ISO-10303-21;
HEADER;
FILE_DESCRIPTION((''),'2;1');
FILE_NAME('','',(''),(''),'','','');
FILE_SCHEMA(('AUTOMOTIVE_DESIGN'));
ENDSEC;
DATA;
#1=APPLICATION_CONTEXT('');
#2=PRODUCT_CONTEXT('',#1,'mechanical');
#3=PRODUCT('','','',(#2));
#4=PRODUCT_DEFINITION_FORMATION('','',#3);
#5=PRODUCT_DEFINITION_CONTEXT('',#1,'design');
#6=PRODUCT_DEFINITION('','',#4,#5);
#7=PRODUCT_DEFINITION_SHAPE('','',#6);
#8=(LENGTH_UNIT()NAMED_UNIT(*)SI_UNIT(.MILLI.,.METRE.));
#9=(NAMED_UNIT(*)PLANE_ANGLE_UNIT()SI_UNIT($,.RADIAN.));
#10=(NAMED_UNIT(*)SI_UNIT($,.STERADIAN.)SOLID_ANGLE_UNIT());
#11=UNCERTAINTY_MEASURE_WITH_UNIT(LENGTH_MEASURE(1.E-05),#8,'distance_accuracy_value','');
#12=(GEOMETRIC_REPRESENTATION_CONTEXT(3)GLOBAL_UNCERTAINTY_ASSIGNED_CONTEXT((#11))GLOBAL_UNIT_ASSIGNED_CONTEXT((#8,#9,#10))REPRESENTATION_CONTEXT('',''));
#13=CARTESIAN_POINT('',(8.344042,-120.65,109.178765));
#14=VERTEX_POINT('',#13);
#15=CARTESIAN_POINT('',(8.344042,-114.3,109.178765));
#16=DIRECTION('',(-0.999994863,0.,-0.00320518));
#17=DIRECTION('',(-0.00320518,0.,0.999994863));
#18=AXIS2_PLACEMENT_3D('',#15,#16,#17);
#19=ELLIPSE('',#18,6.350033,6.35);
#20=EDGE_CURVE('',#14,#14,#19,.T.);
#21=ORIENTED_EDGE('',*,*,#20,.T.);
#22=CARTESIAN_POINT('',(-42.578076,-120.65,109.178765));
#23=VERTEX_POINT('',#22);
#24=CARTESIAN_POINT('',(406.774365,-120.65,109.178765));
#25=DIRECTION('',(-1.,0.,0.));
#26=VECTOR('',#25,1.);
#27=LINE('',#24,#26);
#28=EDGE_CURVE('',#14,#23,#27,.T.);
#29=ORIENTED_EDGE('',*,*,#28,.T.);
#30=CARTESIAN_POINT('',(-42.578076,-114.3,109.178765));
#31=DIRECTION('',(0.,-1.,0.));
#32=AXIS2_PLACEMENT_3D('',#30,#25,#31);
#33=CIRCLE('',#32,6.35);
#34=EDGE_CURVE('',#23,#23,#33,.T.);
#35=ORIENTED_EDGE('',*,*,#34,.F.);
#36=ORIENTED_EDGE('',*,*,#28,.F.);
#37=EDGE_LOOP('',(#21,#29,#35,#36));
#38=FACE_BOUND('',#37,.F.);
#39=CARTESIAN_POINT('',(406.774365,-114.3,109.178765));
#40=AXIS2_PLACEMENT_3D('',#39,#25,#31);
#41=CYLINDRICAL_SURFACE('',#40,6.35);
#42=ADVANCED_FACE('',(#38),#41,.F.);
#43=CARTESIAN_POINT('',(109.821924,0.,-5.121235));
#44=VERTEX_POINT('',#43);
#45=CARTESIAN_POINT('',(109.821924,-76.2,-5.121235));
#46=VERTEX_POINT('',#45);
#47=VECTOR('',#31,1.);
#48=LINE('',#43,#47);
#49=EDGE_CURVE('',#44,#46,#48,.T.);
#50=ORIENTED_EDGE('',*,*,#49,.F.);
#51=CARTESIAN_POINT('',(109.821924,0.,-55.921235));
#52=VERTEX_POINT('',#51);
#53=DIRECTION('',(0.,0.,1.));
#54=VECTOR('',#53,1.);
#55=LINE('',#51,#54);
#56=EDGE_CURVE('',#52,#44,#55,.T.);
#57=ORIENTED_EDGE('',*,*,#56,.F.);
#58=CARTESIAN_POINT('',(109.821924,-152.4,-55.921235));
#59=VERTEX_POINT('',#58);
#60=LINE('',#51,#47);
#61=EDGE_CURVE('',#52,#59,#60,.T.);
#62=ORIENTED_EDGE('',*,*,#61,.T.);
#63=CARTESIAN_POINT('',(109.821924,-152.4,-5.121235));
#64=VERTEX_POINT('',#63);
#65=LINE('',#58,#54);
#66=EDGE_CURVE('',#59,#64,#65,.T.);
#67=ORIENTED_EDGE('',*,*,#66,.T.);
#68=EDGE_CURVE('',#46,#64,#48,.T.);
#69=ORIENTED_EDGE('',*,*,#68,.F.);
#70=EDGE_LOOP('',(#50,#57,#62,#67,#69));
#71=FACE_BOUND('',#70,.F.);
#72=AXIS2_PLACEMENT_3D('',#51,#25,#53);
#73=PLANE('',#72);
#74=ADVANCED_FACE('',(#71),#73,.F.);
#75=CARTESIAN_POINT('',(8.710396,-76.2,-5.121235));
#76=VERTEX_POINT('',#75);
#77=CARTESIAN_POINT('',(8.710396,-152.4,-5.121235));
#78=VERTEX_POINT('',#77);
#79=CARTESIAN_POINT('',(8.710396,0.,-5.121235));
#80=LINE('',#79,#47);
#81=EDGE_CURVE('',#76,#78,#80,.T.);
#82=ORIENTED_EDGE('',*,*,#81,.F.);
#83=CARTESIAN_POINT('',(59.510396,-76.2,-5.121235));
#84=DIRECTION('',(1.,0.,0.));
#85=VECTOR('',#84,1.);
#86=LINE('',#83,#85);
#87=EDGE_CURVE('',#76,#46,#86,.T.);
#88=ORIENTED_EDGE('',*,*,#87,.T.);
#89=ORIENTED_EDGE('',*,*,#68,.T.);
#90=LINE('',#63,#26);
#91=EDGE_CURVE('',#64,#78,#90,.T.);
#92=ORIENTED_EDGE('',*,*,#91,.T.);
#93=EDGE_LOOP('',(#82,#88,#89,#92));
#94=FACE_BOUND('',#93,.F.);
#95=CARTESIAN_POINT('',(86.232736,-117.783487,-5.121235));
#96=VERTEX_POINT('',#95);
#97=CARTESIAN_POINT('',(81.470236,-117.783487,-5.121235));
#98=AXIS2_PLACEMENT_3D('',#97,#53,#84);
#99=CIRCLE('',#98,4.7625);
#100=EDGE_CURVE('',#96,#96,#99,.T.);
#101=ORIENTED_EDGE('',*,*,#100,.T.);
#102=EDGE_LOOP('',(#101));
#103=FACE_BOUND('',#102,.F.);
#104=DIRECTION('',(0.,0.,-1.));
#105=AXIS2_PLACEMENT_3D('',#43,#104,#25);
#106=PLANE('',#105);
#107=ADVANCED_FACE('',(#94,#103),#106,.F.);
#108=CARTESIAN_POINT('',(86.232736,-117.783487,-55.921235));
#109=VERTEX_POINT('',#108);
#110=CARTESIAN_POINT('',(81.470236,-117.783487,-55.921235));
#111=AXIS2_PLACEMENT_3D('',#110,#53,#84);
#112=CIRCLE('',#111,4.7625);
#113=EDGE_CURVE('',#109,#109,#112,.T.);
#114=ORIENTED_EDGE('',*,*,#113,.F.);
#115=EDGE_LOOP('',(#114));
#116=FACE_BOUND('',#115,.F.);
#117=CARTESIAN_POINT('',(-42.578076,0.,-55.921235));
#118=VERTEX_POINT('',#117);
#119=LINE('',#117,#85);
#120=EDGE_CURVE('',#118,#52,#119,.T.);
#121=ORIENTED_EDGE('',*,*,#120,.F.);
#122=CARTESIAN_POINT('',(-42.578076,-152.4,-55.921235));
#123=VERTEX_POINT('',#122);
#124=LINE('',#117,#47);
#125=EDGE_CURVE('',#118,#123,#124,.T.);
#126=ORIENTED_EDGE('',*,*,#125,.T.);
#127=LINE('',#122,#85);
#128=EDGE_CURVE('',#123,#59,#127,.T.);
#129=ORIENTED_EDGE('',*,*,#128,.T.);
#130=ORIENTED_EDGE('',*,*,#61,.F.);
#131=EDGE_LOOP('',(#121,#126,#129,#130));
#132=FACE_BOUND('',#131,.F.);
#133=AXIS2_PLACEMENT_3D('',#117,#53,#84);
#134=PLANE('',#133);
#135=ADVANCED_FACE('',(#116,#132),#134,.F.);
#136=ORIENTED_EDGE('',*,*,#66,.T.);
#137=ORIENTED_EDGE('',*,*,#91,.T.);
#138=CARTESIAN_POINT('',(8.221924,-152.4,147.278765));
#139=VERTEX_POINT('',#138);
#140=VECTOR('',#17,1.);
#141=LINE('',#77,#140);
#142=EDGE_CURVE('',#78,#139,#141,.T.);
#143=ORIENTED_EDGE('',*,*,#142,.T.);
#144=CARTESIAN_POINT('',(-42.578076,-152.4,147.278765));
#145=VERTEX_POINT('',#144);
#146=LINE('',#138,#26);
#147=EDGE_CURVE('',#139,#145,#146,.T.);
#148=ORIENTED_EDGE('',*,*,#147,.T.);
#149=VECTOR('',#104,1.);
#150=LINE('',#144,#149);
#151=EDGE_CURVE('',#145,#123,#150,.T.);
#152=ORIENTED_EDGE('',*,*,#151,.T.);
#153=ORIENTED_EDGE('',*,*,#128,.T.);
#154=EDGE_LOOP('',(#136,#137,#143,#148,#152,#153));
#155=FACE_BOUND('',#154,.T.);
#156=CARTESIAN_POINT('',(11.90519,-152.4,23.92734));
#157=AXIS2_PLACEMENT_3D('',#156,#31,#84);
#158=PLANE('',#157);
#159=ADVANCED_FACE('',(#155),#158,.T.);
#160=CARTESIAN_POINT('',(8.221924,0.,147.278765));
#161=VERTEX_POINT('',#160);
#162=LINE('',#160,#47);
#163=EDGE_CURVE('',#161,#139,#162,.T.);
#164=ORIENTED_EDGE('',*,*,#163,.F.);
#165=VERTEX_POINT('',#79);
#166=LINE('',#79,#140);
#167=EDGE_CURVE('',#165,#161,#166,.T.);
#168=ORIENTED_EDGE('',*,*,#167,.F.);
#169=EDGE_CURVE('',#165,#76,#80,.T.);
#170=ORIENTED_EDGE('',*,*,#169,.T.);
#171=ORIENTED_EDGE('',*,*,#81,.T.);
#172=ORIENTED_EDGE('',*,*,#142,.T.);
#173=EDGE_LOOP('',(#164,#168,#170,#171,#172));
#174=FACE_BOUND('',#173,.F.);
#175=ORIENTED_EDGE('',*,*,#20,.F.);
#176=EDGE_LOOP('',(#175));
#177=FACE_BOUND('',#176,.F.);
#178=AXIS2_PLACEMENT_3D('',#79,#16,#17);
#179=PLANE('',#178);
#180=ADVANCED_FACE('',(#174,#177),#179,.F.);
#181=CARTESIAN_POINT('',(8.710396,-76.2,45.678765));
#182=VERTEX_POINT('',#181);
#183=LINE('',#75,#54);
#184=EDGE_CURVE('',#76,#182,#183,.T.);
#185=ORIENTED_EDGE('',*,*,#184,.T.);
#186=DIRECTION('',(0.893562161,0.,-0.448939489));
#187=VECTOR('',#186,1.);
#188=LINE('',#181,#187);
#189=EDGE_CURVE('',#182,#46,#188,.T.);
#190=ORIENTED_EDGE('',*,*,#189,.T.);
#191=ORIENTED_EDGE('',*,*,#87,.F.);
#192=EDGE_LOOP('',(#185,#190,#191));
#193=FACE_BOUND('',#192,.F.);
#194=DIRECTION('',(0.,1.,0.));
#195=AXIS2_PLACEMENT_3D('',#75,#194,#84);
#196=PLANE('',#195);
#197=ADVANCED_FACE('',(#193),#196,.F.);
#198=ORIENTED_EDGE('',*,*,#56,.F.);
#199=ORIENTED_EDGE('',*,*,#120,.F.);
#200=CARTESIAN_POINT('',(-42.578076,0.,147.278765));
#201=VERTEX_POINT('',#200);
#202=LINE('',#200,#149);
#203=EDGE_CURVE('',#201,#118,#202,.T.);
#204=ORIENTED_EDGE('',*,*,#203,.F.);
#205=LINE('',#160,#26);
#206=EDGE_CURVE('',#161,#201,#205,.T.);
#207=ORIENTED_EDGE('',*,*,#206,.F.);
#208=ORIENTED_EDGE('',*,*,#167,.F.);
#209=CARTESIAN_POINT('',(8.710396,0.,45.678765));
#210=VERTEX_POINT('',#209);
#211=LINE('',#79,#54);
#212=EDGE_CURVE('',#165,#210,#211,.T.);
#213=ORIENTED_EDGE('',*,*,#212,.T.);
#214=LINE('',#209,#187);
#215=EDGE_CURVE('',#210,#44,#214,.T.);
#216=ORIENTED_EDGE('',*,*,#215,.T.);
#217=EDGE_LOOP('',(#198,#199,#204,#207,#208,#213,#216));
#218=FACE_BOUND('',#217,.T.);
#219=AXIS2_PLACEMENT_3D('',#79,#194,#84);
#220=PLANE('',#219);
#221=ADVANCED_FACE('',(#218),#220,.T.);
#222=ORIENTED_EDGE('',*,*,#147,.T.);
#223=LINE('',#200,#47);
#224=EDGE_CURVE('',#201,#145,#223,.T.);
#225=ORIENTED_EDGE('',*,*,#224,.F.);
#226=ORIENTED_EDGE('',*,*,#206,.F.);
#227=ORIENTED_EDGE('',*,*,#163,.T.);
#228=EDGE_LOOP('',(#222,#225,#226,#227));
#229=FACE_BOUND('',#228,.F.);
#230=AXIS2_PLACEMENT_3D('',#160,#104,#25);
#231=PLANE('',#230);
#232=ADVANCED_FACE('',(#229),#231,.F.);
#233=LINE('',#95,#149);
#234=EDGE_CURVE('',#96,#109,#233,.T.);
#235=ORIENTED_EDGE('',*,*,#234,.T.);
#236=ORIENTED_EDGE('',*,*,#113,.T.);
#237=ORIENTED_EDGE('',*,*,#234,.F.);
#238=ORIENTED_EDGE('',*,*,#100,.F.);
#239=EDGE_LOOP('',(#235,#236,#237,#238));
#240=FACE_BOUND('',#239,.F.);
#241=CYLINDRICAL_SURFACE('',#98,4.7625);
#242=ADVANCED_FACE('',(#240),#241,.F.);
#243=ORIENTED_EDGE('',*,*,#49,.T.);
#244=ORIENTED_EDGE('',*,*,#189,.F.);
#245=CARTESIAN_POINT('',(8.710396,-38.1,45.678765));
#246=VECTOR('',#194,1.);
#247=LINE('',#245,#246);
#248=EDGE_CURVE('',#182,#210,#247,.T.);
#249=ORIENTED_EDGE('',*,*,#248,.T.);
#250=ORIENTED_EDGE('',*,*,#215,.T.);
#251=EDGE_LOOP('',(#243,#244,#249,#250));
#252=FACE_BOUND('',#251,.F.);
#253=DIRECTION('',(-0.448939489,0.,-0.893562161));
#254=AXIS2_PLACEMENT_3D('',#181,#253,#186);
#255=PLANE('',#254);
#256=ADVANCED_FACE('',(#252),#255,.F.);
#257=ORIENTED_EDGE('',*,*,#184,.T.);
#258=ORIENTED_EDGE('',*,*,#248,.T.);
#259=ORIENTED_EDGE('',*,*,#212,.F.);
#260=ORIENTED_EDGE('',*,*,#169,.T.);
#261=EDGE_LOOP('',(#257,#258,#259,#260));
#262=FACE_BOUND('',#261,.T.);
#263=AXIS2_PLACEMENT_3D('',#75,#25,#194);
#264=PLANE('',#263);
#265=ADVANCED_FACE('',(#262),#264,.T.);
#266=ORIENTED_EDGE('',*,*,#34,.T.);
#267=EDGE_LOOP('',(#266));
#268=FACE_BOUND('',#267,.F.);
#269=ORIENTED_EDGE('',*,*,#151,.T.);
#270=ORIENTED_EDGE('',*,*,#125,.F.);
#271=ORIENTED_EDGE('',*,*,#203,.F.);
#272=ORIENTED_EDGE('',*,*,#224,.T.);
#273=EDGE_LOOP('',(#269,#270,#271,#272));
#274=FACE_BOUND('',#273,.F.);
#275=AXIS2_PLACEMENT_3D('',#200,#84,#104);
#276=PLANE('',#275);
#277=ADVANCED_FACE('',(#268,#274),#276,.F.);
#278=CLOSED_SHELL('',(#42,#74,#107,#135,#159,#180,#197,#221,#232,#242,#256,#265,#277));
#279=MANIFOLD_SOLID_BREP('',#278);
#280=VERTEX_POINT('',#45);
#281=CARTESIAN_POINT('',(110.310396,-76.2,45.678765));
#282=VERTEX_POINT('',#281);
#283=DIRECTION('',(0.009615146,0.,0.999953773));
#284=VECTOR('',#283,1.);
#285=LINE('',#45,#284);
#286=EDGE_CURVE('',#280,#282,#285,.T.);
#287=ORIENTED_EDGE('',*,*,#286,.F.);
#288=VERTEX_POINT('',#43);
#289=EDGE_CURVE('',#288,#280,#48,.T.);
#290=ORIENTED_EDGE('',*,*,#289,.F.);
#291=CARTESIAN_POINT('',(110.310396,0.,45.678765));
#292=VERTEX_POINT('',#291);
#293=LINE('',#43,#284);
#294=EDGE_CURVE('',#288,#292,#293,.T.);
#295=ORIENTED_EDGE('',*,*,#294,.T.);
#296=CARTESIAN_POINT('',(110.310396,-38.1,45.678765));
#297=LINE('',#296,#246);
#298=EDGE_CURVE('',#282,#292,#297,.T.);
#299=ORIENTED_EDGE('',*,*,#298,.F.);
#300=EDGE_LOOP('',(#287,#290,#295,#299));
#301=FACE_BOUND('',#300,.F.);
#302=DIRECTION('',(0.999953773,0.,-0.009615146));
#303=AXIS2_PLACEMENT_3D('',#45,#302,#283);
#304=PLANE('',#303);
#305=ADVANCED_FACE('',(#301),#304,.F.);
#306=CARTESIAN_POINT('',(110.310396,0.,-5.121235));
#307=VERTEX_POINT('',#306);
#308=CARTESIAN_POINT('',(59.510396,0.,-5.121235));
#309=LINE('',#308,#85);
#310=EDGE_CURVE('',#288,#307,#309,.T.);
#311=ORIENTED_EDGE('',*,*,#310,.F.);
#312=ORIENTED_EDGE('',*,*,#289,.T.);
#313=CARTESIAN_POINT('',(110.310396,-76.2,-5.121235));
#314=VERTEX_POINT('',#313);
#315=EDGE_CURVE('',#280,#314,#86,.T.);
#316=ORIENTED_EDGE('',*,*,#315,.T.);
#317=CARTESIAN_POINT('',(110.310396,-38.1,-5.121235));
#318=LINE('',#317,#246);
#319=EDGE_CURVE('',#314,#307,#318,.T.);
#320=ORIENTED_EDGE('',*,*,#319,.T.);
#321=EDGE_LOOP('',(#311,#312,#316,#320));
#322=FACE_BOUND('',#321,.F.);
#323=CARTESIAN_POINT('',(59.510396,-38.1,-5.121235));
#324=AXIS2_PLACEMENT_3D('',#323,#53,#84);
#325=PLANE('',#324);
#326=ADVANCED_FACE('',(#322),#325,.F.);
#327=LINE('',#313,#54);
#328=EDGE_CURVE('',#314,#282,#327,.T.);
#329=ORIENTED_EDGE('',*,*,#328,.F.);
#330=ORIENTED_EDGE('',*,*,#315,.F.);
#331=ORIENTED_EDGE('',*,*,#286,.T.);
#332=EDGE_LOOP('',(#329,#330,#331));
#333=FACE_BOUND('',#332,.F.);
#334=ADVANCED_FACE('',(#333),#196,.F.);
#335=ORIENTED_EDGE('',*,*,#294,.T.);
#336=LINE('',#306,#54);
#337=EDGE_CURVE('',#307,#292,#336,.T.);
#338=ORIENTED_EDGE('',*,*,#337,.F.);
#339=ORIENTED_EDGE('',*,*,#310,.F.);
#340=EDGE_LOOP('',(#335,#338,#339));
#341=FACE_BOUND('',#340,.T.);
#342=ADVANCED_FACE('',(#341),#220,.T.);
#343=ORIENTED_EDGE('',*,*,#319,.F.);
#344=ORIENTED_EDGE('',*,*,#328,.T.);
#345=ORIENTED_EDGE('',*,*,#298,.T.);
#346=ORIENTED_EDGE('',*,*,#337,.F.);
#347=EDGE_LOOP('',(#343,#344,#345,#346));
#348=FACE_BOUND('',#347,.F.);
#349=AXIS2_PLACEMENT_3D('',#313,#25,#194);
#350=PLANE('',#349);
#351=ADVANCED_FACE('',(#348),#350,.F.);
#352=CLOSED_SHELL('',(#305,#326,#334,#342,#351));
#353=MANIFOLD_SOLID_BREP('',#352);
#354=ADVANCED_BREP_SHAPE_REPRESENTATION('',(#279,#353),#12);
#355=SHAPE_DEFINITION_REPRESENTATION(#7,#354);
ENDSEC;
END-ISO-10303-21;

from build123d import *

# Parameters (mm, degrees)
F1_DEPTH  = 152.4
F2_W      = 101.6
F2_H      = 76.2
F3_DEPTH  = 50.8
F5_DEPTH  = 76.2
F6_R      = 4.7625
F7_DEPTH  = 101.6
F9_D      = 12.7
F1_FACE_W = 101.111528
F1_FACE_H = 76.2
F1_FACE_R = 4.7625
F10_DEPTH = 101.6


with BuildPart() as f1:
    # F0 (on Front) → F1 (new body)
    with BuildSketch(Plane.XZ):
        Polygon((8.221924, 147.278765), (-42.578076, 147.278765), (-42.578076, -55.921235), (109.821924, -55.921235), (109.821924, -5.121235), (8.710396, -5.121235), align=None)
    extrude(amount=F1_DEPTH)

    # F2 (on face) → F3 (join)
    with BuildSketch(Plane.XY.offset(-5.121235)):
        with Locations((59.510396, -38.1)):
            Rectangle(F2_W, F2_H)
    extrude(amount=F3_DEPTH)

    # F4 (on face) → F5 (cut)
    with BuildSketch(Plane.XZ.offset(76.2)):
        Polygon((110.310396, 45.678765), (8.710396, 45.678765), (109.821924, -5.121235), align=None)
    extrude(amount=-F5_DEPTH, mode=Mode.SUBTRACT)

    # F6 (on face) → F7 (cut)
    with BuildSketch(Plane.XY.offset(-5.121235)):
        with Locations((81.470236, -117.783487)):
            Circle(F6_R)
    extrude(amount=-F7_DEPTH, mode=Mode.SUBTRACT)

    # F9 (through all)
    with Locations(Plane.YZ.offset(110.310396)):
        with Locations((-114.3, 109.178765)):
            Hole(F9_D / 2)

    # F1_face (on face) → F10 (cut)
    with BuildSketch(Plane(origin=(59.26616, -76.2, -5.121235), x_dir=(1, 0, 0), z_dir=(0, 0, 1))):
        with Locations((0, -38.1)):
            Rectangle(F1_FACE_W, F1_FACE_H)
        with Locations((22.204076, -41.583487)):
            Circle(F1_FACE_R, mode=Mode.SUBTRACT)
    extrude(amount=F10_DEPTH, mode=Mode.SUBTRACT)


solid = f1.part
